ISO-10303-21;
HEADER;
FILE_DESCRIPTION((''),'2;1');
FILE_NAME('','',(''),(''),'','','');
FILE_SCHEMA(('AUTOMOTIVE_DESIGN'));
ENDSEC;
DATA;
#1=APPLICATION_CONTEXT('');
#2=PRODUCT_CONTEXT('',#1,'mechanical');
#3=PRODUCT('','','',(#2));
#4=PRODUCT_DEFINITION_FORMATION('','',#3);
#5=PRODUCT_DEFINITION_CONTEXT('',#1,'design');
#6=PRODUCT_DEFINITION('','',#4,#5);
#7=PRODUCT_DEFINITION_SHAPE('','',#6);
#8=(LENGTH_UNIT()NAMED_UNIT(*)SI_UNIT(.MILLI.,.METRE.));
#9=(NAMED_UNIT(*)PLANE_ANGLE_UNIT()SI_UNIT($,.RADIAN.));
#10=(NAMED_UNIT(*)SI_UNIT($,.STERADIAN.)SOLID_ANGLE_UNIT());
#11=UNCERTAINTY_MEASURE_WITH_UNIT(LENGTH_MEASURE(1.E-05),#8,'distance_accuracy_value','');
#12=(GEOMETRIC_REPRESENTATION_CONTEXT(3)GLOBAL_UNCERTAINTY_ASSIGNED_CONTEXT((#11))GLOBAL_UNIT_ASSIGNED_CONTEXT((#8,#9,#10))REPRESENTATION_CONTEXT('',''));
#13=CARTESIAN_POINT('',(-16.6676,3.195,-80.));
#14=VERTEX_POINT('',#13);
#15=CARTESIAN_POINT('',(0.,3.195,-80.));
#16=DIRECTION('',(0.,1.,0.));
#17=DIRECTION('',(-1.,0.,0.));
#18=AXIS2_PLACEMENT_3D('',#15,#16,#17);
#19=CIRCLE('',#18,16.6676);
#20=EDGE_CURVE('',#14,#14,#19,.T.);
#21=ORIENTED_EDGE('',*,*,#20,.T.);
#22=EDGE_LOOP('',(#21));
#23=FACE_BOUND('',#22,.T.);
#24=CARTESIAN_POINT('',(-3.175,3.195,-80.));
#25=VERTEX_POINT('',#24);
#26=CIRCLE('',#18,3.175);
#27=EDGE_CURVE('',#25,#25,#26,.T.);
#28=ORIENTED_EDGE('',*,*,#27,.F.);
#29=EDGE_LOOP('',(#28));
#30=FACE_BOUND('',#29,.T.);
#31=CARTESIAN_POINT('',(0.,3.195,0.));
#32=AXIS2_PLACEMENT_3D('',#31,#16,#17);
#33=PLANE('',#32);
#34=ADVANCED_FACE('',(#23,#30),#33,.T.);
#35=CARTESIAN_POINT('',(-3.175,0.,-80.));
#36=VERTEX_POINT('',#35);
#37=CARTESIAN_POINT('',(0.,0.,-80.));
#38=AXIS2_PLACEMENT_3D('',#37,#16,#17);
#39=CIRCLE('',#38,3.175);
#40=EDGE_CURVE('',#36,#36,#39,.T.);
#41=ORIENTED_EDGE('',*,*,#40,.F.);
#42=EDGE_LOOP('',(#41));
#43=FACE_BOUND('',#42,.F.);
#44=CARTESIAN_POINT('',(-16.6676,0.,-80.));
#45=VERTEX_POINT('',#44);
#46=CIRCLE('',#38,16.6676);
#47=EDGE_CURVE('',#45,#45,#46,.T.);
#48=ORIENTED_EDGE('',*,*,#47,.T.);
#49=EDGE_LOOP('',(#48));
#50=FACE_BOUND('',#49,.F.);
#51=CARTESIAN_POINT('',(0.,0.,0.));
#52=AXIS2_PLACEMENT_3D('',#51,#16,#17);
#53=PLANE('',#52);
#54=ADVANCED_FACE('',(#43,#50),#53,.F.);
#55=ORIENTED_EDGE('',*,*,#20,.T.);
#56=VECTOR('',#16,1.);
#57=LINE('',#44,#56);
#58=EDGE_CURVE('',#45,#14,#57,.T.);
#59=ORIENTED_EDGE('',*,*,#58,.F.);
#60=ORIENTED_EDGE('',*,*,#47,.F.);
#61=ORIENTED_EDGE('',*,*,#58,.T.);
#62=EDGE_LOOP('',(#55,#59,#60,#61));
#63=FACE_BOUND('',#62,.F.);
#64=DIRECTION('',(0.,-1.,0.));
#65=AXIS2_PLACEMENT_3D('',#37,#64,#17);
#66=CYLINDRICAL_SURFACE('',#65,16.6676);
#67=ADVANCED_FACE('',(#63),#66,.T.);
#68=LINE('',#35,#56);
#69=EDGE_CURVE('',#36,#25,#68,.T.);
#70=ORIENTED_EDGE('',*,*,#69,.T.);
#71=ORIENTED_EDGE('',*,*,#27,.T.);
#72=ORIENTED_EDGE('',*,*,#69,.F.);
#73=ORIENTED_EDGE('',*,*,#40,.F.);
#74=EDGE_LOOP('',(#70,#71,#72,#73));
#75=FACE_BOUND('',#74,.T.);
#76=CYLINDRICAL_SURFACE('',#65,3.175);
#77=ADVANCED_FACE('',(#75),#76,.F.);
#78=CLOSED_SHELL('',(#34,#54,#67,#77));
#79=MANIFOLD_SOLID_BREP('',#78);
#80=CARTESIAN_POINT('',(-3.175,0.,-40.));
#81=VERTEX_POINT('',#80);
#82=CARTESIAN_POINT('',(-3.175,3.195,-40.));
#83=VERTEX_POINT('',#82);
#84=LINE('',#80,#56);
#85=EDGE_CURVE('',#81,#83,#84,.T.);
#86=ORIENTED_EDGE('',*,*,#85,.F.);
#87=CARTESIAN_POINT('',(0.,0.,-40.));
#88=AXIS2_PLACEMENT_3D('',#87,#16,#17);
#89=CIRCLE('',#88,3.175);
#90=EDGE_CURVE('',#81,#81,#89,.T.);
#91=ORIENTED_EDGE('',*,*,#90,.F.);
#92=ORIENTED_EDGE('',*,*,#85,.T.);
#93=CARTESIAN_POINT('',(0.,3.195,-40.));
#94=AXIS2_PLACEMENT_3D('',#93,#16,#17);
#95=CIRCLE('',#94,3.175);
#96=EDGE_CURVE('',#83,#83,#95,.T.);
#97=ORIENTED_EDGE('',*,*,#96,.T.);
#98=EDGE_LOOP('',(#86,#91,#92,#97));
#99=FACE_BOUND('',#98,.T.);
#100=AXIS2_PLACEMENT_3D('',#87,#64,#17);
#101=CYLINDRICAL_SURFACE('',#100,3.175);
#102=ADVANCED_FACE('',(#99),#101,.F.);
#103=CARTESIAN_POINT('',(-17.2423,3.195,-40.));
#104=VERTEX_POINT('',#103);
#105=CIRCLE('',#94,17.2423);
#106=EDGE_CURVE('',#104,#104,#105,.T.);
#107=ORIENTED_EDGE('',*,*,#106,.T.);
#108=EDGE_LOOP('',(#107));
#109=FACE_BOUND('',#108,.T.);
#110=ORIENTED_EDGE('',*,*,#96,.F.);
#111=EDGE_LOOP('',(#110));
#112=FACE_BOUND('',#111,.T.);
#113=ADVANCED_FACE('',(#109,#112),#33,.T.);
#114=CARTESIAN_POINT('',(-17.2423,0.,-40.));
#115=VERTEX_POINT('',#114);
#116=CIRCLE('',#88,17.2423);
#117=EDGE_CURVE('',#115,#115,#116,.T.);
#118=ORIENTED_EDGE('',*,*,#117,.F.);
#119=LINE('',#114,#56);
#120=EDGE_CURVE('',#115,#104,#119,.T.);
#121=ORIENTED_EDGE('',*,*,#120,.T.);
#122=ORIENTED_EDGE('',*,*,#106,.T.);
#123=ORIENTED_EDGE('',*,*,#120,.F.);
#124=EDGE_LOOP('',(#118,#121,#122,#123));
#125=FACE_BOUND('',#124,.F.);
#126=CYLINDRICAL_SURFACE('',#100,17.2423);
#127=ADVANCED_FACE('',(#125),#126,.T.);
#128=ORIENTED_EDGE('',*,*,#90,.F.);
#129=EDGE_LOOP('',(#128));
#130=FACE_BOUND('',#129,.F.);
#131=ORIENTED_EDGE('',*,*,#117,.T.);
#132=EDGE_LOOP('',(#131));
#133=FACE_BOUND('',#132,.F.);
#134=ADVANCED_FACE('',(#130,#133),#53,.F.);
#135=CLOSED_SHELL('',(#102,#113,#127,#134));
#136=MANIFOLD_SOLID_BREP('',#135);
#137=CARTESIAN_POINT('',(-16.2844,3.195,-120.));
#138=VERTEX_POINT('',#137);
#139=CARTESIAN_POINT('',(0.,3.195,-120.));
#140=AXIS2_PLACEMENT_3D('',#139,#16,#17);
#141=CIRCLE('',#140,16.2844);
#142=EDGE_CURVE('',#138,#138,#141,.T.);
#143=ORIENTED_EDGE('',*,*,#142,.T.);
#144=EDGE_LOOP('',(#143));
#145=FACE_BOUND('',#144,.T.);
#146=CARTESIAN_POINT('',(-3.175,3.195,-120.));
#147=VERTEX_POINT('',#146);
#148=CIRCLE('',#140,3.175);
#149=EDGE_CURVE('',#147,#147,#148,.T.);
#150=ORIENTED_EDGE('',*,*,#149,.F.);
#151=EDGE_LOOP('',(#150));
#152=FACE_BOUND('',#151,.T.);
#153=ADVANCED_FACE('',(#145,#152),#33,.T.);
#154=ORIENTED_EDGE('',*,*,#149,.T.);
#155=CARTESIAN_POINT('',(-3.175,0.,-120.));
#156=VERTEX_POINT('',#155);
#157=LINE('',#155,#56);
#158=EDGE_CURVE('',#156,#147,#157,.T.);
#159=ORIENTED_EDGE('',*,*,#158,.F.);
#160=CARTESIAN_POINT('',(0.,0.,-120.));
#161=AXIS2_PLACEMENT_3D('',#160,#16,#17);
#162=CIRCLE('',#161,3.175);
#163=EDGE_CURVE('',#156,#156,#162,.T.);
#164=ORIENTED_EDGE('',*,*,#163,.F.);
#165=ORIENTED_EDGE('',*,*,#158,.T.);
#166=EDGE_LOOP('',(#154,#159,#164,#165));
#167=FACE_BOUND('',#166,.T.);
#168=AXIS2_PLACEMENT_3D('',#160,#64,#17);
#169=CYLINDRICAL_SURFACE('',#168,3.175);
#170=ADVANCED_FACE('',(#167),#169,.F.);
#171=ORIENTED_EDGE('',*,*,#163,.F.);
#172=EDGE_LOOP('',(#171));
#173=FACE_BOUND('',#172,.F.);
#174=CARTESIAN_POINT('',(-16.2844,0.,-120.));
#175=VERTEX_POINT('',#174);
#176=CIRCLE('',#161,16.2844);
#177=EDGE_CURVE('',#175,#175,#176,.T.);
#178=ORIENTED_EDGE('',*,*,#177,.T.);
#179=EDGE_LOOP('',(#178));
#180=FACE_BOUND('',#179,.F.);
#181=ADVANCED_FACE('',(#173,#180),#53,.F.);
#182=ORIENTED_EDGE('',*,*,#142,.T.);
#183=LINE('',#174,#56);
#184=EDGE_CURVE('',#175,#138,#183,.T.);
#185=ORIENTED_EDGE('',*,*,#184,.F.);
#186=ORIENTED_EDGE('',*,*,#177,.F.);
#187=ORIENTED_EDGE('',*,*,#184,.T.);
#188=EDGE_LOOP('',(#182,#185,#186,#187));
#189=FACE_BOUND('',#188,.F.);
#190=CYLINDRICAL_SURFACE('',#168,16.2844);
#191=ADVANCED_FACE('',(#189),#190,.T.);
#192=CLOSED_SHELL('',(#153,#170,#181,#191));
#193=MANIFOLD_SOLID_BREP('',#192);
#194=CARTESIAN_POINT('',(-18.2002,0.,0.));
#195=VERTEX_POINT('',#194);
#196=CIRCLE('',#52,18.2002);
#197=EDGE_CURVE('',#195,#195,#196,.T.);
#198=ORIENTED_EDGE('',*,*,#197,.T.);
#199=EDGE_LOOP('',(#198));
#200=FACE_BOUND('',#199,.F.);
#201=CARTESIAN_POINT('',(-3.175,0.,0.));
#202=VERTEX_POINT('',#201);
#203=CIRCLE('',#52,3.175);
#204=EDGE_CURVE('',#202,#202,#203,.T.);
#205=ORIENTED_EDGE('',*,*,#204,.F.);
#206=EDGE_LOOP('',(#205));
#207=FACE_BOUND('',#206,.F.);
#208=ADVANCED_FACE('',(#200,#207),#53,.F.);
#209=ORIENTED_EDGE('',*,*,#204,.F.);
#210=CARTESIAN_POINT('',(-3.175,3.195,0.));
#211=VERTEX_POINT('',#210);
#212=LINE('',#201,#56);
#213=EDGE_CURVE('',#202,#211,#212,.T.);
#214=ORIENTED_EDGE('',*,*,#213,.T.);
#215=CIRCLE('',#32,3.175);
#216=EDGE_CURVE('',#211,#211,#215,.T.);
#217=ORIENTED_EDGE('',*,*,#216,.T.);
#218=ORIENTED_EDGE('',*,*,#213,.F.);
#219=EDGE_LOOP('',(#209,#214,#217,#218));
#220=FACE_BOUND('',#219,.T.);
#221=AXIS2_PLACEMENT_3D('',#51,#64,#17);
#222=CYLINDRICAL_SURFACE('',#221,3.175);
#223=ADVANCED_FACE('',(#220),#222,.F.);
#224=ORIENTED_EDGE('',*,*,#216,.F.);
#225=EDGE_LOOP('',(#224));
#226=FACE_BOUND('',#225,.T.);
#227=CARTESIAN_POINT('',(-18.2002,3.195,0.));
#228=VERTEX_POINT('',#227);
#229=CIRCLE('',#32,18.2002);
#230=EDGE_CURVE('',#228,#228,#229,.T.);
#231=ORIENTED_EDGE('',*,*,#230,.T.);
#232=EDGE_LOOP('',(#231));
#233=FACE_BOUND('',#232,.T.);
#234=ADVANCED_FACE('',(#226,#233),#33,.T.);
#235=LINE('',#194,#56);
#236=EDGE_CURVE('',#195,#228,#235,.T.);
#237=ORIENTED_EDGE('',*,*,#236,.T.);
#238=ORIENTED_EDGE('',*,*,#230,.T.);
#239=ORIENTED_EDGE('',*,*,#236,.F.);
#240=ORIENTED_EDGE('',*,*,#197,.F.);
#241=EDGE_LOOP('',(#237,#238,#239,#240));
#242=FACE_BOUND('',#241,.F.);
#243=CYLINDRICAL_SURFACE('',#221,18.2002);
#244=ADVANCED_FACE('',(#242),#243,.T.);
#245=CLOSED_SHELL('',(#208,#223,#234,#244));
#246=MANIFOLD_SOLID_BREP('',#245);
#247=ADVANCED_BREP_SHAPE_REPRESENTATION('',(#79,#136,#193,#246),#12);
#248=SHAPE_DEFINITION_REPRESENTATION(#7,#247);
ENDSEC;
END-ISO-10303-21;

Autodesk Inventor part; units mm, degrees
ref_plane "YZ Plane" through (0, 0, 0) normal (1, 0, 0) x (0, 1, 0)
ref_plane "XZ Plane" through (0, 0, 0) normal (0, 1, 0) x (-1, 0, 0)
ref_plane "XY Plane" through (0, 0, 0) normal (0, 0, 1) x (1, 0, 0)
sketch "Sketch1" plane through (0, 0, 0) normal (0, 1, 0) x (-1, 0, 0)
  circle A0 centre (0, 0) radius 3.175
  circle A1 centre (0, 0) radius 18.2002
  circle A2 centre (0, -40) radius 3.175
  circle A3 centre (0, -40) radius 17.2423
  circle A4 centre (0, -80) radius 3.175
  circle A5 centre (0, -80) radius 16.6676
  circle A6 centre (0, -120) radius 3.175
  circle A7 centre (0, -120) radius 16.2844
  dimension "d6" = 6.35
  dimension "d10" = 36.4005
  dimension "d24" = 6.35
  dimension "d25" = 34.4847
  dimension "d27" = 6.35
  dimension "d29" = 33.3352
  dimension "d35" = 6.35
  dimension "d36" = 32.5689
  dimension "d43" = 40
  dimension "d44" = 40
  dimension "d45" = 40
extrude "Extrusion1" add sketch "Sketch1" along normal blind 3.195
equation "\"d10\" = 0.85 * d1"
equation "\"d25\" = 0.85 * d18"
equation "\"d29\" = 0.85 * d20"
equation "\"d36\" = 0.85 * d22"
equation "\"d46\" = 0.5 * WoodThickness"
equation "\"d1\" = 42.8241"
equation "\"d18\" = 40.5702"
equation "\"d20\" = 39.21786"
equation "\"d22\" = 38.3163"
equation "\"WoodThickness\" = 6.39"
properties part number "CouplingHeadSilicone_Spacer_3mm"
